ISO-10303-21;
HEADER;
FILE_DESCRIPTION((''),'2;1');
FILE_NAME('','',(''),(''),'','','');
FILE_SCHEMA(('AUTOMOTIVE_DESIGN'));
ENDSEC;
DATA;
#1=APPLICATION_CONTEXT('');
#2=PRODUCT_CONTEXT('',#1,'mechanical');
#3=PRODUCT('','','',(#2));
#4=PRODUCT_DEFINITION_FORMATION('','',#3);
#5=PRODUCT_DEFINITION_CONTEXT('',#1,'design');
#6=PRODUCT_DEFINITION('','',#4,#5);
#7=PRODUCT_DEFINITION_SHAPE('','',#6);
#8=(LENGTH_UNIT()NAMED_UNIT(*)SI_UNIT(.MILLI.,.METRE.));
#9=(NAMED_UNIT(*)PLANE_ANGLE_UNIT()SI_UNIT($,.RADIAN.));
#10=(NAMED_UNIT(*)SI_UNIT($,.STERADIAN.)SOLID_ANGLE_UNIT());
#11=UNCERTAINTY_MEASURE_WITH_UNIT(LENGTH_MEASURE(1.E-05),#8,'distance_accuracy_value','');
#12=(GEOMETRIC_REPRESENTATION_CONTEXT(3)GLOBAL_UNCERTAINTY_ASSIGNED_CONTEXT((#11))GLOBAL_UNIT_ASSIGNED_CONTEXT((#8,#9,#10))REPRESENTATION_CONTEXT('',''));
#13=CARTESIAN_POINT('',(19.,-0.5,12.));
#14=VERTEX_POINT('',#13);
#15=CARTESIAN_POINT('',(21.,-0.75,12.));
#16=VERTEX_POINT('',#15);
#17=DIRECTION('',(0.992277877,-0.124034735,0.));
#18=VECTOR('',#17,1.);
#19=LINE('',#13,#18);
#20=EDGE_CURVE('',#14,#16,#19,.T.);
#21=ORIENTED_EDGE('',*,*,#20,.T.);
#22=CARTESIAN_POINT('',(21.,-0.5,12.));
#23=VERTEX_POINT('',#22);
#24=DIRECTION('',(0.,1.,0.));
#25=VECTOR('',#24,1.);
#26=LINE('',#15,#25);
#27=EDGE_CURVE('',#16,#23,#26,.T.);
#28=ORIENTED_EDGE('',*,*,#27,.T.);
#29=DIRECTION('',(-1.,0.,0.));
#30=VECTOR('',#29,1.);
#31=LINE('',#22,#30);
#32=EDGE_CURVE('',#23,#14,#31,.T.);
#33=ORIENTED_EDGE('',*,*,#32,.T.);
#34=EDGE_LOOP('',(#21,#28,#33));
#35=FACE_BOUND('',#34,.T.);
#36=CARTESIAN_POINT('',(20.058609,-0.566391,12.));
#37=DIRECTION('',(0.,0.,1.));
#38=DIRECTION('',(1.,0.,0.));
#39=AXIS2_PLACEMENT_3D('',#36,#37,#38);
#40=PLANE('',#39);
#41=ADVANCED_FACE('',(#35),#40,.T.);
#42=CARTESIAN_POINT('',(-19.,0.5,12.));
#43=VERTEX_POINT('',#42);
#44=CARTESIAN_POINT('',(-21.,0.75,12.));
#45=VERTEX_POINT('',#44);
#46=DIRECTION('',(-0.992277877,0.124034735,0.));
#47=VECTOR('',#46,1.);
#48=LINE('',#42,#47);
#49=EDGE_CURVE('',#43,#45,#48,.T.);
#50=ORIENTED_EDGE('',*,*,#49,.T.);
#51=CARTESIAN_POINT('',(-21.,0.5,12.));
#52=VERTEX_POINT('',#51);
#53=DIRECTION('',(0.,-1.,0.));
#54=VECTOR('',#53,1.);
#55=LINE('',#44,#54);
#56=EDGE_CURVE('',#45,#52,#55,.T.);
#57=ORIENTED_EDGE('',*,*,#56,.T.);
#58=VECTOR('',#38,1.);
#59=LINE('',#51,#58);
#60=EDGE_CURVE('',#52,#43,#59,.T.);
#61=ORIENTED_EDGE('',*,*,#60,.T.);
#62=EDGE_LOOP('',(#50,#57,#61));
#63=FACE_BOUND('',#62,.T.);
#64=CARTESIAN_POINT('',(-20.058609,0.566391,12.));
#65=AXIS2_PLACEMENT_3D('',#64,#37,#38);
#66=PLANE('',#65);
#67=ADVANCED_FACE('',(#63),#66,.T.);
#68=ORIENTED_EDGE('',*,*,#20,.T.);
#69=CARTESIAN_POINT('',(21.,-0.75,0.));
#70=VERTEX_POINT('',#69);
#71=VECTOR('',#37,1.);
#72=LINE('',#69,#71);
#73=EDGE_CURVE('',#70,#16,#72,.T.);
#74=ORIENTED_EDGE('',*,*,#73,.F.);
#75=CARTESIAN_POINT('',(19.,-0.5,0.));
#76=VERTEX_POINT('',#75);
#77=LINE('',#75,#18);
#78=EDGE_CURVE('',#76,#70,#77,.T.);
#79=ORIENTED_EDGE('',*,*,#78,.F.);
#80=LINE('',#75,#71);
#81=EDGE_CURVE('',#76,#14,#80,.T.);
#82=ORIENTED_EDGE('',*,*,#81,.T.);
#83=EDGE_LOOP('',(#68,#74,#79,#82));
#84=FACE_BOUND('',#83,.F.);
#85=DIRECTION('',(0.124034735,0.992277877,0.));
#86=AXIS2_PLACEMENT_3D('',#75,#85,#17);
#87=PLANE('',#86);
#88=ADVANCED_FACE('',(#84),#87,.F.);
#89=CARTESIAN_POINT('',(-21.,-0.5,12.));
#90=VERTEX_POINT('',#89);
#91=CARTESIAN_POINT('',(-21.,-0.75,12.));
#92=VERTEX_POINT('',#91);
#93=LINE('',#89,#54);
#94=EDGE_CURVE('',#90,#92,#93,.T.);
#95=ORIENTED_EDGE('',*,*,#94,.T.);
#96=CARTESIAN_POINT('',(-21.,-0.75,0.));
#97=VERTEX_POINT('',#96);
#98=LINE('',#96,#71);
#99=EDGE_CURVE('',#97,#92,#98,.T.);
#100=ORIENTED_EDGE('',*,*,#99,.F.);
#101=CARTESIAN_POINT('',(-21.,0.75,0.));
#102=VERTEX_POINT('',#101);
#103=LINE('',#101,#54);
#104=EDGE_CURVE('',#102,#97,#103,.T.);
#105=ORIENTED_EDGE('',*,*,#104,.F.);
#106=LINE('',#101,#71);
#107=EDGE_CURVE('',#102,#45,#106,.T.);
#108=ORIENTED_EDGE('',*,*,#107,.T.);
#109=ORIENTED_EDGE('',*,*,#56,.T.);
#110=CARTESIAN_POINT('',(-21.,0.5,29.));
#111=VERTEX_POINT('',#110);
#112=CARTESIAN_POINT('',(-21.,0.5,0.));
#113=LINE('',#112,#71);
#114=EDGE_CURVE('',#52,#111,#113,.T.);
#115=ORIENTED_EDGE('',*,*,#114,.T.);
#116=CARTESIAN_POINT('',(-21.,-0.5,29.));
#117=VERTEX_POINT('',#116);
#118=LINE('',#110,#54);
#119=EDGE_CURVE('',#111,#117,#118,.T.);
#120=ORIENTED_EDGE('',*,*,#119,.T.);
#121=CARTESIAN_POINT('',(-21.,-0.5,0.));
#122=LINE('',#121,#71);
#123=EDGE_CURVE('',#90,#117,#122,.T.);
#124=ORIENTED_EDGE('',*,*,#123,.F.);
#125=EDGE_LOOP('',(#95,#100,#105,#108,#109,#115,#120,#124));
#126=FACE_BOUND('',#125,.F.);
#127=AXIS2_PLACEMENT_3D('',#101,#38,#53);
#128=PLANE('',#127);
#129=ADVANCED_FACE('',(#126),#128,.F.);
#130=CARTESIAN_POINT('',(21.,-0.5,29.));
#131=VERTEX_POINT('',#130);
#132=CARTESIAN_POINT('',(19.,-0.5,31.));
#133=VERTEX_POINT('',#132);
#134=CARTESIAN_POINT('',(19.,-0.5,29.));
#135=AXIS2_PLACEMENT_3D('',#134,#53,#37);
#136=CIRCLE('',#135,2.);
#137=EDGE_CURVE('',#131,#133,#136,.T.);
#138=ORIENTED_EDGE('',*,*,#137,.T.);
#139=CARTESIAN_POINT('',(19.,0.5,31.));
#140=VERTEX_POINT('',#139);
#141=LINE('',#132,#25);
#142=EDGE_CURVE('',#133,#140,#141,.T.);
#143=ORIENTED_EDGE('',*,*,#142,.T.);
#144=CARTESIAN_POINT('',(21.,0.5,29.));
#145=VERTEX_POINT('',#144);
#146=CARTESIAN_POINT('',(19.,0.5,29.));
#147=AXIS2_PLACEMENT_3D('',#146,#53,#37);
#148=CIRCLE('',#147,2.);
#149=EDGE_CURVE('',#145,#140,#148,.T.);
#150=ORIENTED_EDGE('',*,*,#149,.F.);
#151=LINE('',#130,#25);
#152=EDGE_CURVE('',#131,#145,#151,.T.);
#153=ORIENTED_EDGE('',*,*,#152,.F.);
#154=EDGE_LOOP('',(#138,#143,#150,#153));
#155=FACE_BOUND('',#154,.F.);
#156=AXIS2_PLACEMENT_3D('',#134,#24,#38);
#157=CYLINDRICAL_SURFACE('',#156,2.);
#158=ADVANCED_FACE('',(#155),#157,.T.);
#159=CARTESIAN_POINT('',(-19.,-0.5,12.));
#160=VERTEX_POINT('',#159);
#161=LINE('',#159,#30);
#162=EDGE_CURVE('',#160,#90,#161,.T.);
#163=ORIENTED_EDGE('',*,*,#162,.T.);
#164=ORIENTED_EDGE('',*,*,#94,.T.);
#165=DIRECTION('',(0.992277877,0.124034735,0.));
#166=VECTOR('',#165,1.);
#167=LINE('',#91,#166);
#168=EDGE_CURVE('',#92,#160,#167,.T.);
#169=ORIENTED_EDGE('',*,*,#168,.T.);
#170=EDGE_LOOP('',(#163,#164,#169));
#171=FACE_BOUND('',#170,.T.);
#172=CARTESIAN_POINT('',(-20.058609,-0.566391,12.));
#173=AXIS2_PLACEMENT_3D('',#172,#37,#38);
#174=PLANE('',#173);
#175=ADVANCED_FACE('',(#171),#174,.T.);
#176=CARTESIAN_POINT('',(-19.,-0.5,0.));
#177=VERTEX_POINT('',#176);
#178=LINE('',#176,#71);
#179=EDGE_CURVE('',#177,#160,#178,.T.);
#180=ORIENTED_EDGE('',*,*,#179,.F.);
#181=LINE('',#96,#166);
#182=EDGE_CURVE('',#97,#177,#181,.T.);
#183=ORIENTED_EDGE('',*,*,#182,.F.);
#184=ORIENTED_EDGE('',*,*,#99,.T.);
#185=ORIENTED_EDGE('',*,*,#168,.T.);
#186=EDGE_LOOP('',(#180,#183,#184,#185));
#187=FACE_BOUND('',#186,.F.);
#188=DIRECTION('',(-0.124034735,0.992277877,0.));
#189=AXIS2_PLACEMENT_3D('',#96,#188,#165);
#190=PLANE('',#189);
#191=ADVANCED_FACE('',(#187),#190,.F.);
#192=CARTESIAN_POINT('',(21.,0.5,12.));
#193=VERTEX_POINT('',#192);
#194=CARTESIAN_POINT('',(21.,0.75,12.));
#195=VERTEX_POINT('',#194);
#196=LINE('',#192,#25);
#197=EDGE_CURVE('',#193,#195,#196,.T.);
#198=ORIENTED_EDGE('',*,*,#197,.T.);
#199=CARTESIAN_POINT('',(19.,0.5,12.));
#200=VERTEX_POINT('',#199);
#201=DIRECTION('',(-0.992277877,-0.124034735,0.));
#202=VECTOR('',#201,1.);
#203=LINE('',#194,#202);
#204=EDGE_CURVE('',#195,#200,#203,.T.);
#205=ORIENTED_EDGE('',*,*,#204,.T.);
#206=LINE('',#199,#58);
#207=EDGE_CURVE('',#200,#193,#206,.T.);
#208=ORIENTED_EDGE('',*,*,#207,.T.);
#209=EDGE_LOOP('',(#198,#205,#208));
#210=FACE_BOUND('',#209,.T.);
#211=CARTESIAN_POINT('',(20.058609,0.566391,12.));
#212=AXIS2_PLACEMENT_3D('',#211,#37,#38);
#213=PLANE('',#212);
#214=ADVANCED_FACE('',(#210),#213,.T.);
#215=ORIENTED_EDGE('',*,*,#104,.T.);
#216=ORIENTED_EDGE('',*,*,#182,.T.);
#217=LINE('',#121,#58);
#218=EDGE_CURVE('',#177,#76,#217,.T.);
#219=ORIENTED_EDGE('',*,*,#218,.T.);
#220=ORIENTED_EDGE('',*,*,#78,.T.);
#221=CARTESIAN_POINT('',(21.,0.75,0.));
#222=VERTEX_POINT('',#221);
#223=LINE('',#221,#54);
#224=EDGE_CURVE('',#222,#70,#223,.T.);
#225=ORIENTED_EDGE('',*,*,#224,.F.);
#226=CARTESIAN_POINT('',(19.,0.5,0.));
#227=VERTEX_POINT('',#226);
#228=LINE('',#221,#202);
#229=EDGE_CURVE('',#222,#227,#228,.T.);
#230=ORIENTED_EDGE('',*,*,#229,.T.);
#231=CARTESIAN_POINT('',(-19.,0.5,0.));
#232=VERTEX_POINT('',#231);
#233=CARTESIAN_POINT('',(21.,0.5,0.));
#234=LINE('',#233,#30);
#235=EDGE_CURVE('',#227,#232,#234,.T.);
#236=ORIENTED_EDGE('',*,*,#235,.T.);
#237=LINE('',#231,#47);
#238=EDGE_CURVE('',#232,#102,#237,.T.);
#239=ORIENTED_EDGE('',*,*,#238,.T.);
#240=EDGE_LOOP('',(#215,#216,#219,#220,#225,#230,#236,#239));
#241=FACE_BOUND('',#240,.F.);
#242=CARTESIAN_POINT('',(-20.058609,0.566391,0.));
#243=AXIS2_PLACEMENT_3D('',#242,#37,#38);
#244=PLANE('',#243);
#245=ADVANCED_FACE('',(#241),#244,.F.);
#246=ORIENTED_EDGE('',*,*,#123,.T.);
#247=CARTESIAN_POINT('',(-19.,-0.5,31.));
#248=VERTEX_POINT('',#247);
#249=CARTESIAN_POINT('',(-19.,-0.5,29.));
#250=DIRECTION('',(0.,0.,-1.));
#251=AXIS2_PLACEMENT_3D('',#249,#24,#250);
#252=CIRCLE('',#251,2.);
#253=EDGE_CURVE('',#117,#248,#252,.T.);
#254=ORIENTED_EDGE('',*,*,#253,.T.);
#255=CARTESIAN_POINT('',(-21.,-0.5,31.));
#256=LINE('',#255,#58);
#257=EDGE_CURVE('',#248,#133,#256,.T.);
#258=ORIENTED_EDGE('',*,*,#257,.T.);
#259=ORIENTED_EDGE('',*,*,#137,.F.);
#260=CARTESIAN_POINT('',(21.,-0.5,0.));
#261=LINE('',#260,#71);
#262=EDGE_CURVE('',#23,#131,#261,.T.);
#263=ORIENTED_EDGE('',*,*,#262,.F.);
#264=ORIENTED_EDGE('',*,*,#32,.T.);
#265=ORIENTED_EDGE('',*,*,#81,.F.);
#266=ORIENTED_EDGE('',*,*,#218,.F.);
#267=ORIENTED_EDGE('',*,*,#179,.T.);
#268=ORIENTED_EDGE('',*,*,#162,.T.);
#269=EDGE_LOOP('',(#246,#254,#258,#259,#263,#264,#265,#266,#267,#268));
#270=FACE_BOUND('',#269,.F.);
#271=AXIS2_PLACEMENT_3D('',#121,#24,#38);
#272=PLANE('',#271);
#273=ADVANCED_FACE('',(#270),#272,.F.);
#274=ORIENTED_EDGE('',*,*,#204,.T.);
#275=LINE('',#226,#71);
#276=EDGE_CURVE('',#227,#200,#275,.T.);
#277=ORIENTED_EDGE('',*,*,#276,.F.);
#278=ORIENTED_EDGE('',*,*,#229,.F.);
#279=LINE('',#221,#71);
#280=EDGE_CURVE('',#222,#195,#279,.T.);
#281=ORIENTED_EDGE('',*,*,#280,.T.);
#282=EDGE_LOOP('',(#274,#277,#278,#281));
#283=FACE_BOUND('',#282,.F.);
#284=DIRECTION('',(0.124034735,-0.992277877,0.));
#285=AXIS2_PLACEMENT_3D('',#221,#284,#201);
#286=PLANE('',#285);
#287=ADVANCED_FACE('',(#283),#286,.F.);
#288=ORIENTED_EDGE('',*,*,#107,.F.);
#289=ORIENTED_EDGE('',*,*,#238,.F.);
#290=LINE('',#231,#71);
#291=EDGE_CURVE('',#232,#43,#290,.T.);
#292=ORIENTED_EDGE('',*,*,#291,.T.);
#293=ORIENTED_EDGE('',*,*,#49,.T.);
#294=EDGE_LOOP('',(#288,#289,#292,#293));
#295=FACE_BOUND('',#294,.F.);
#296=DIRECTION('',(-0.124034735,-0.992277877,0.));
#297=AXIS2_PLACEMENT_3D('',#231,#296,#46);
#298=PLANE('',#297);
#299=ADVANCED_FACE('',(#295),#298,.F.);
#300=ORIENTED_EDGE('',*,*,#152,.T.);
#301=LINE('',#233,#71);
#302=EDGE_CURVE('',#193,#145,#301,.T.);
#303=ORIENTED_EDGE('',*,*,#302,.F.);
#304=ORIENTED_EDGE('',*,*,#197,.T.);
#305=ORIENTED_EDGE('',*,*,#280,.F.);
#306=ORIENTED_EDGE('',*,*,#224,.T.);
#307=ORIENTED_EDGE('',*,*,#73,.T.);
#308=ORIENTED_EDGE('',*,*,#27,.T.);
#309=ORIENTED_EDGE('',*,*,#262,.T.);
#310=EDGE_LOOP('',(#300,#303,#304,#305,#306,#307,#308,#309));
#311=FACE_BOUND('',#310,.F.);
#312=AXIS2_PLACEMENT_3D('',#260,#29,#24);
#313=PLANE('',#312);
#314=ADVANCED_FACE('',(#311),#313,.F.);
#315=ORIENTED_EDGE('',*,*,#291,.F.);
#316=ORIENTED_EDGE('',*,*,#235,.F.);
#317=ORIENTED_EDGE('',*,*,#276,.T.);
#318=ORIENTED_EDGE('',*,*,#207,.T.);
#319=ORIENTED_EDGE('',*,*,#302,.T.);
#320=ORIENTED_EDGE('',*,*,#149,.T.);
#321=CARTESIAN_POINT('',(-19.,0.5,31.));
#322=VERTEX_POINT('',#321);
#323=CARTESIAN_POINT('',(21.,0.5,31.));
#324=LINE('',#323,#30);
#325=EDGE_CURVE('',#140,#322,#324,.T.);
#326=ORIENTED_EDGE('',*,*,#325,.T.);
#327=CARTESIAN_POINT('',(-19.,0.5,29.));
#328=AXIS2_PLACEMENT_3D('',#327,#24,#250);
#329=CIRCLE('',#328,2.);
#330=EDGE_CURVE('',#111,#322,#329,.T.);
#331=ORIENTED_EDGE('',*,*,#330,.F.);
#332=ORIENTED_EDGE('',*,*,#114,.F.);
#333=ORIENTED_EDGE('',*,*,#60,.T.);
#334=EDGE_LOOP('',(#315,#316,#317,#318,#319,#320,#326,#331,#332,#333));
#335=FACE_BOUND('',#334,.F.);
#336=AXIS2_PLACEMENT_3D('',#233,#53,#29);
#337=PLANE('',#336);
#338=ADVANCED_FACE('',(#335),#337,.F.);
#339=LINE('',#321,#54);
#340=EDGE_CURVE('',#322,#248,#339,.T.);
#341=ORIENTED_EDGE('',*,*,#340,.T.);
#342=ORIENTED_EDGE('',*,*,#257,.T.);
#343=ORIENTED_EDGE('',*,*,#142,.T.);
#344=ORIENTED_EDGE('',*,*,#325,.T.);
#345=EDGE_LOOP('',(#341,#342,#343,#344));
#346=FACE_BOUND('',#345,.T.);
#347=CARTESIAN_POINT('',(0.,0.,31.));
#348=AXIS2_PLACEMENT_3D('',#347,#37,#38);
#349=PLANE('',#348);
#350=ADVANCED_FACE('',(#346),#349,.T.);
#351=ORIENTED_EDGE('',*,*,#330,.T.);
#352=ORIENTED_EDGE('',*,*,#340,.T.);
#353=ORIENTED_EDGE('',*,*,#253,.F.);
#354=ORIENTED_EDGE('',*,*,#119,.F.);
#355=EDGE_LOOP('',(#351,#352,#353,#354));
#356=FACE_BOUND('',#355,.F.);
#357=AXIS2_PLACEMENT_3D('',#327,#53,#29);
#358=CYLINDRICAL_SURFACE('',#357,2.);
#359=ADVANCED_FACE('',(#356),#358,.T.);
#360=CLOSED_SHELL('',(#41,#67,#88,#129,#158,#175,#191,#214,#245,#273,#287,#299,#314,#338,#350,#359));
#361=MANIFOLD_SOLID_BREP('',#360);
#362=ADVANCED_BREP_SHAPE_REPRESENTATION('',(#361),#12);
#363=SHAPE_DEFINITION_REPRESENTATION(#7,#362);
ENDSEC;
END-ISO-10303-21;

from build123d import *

# Parameters (mm, degrees)
F2_DEPTH = 31
F3_DEPTH = 12
F4_R     = 2


with BuildPart() as f2:
    # F1 (on Top) → F2 (new body)
    with BuildSketch(Plane.XY):
        Polygon((-19, 0.5), (-21, 0.5), (-21, -0.5), (-19, -0.5), (19, -0.5), (21, -0.5), (21, 0.5), (19, 0.5), align=None)
    extrude(amount=F2_DEPTH)

    # F1 (on Top) → F3 (join)
    with BuildSketch(Plane.XY):
        Polygon((-21, 0.75), (-21, 0.5), (-19, 0.5), align=None)
        Polygon((-19, -0.5), (-21, -0.5), (-21, -0.75), align=None)
        Polygon((21, 0.75), (19, 0.5), (21, 0.5), align=None)
        Polygon((21, -0.5), (19, -0.5), (21, -0.75), align=None)
    extrude(amount=F3_DEPTH)

    # F4
    f4_edges = [f2.edges().sort_by_distance(p)[0] for p in [
        (-21, 0, 31),
        (21, 0, 31),
    ]]
    fillet(f4_edges, radius=F4_R)


solid = f2.part
